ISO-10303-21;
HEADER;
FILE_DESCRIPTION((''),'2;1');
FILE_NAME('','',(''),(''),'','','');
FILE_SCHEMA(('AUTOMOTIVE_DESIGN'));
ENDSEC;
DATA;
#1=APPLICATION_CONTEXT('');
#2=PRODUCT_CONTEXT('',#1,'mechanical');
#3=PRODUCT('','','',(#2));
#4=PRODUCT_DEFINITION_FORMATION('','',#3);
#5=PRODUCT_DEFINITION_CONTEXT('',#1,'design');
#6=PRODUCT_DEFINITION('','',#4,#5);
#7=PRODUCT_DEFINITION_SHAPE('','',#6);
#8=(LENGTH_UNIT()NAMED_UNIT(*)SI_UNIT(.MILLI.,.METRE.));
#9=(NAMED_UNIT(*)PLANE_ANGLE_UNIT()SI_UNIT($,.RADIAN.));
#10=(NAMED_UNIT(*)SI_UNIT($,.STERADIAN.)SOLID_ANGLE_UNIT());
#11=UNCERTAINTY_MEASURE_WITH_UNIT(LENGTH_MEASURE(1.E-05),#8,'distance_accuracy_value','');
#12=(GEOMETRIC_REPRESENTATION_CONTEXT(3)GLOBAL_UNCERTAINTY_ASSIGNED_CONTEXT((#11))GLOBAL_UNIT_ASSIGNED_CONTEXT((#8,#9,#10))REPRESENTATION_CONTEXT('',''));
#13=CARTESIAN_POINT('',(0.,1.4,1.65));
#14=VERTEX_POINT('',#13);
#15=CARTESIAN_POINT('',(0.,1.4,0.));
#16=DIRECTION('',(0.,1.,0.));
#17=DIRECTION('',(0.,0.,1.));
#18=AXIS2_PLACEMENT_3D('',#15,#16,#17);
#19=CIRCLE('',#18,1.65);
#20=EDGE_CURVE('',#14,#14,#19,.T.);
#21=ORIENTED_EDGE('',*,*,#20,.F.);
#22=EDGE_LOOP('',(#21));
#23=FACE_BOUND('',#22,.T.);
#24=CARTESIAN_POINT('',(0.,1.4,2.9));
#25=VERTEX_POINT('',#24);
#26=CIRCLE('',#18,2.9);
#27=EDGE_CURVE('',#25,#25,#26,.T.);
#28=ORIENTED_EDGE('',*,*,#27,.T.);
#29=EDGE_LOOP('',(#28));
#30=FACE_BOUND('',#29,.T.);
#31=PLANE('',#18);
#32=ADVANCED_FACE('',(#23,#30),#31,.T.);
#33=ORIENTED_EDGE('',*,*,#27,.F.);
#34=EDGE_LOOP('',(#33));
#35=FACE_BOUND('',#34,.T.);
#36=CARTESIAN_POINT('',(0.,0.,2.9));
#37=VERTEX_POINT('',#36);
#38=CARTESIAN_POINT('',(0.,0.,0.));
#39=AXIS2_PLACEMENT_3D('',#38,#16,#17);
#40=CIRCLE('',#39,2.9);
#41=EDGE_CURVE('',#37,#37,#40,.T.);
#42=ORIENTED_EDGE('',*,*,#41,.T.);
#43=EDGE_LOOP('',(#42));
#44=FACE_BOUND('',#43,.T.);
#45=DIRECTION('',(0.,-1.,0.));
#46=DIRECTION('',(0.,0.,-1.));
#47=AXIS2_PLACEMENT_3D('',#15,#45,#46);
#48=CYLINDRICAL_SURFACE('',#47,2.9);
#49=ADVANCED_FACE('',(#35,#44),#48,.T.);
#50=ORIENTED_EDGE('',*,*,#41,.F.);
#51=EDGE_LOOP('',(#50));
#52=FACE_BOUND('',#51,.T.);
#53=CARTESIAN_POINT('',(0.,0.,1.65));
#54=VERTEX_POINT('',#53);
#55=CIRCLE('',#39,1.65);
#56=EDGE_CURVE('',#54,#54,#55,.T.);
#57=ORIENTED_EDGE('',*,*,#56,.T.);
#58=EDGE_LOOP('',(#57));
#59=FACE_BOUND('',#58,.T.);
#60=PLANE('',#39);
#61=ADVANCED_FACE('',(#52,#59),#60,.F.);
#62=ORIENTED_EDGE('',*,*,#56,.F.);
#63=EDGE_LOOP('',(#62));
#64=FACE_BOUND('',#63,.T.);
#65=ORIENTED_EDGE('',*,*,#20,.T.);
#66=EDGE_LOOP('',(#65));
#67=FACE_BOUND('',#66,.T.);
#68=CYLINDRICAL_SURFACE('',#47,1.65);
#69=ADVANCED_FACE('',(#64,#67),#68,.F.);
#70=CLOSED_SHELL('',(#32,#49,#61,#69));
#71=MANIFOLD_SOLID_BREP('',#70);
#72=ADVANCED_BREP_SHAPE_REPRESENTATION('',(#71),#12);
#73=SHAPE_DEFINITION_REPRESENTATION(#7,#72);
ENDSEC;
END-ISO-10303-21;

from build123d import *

# Parameters (mm, degrees)
SKETCH_1_R      = 2.9
SKETCH_1_R_2    = 1.65
EXTRUDE_1_DEPTH = 1.4


with BuildPart() as part:
    # Эскиз1 → Бобышка-Вытянуть1 (new body)
    with BuildSketch(Plane(origin=(0, 0, 0), x_dir=(1, 0, 0), z_dir=(0, 1, 0))):
        with Locations(Location((0, 0, 0), (0, 0, 270))):
            Circle(SKETCH_1_R)
        with Locations(Location((0, 0, 0), (0, 0, 270))):
            Circle(SKETCH_1_R_2, mode=Mode.SUBTRACT)
    extrude(amount=EXTRUDE_1_DEPTH)


solid = part.part
